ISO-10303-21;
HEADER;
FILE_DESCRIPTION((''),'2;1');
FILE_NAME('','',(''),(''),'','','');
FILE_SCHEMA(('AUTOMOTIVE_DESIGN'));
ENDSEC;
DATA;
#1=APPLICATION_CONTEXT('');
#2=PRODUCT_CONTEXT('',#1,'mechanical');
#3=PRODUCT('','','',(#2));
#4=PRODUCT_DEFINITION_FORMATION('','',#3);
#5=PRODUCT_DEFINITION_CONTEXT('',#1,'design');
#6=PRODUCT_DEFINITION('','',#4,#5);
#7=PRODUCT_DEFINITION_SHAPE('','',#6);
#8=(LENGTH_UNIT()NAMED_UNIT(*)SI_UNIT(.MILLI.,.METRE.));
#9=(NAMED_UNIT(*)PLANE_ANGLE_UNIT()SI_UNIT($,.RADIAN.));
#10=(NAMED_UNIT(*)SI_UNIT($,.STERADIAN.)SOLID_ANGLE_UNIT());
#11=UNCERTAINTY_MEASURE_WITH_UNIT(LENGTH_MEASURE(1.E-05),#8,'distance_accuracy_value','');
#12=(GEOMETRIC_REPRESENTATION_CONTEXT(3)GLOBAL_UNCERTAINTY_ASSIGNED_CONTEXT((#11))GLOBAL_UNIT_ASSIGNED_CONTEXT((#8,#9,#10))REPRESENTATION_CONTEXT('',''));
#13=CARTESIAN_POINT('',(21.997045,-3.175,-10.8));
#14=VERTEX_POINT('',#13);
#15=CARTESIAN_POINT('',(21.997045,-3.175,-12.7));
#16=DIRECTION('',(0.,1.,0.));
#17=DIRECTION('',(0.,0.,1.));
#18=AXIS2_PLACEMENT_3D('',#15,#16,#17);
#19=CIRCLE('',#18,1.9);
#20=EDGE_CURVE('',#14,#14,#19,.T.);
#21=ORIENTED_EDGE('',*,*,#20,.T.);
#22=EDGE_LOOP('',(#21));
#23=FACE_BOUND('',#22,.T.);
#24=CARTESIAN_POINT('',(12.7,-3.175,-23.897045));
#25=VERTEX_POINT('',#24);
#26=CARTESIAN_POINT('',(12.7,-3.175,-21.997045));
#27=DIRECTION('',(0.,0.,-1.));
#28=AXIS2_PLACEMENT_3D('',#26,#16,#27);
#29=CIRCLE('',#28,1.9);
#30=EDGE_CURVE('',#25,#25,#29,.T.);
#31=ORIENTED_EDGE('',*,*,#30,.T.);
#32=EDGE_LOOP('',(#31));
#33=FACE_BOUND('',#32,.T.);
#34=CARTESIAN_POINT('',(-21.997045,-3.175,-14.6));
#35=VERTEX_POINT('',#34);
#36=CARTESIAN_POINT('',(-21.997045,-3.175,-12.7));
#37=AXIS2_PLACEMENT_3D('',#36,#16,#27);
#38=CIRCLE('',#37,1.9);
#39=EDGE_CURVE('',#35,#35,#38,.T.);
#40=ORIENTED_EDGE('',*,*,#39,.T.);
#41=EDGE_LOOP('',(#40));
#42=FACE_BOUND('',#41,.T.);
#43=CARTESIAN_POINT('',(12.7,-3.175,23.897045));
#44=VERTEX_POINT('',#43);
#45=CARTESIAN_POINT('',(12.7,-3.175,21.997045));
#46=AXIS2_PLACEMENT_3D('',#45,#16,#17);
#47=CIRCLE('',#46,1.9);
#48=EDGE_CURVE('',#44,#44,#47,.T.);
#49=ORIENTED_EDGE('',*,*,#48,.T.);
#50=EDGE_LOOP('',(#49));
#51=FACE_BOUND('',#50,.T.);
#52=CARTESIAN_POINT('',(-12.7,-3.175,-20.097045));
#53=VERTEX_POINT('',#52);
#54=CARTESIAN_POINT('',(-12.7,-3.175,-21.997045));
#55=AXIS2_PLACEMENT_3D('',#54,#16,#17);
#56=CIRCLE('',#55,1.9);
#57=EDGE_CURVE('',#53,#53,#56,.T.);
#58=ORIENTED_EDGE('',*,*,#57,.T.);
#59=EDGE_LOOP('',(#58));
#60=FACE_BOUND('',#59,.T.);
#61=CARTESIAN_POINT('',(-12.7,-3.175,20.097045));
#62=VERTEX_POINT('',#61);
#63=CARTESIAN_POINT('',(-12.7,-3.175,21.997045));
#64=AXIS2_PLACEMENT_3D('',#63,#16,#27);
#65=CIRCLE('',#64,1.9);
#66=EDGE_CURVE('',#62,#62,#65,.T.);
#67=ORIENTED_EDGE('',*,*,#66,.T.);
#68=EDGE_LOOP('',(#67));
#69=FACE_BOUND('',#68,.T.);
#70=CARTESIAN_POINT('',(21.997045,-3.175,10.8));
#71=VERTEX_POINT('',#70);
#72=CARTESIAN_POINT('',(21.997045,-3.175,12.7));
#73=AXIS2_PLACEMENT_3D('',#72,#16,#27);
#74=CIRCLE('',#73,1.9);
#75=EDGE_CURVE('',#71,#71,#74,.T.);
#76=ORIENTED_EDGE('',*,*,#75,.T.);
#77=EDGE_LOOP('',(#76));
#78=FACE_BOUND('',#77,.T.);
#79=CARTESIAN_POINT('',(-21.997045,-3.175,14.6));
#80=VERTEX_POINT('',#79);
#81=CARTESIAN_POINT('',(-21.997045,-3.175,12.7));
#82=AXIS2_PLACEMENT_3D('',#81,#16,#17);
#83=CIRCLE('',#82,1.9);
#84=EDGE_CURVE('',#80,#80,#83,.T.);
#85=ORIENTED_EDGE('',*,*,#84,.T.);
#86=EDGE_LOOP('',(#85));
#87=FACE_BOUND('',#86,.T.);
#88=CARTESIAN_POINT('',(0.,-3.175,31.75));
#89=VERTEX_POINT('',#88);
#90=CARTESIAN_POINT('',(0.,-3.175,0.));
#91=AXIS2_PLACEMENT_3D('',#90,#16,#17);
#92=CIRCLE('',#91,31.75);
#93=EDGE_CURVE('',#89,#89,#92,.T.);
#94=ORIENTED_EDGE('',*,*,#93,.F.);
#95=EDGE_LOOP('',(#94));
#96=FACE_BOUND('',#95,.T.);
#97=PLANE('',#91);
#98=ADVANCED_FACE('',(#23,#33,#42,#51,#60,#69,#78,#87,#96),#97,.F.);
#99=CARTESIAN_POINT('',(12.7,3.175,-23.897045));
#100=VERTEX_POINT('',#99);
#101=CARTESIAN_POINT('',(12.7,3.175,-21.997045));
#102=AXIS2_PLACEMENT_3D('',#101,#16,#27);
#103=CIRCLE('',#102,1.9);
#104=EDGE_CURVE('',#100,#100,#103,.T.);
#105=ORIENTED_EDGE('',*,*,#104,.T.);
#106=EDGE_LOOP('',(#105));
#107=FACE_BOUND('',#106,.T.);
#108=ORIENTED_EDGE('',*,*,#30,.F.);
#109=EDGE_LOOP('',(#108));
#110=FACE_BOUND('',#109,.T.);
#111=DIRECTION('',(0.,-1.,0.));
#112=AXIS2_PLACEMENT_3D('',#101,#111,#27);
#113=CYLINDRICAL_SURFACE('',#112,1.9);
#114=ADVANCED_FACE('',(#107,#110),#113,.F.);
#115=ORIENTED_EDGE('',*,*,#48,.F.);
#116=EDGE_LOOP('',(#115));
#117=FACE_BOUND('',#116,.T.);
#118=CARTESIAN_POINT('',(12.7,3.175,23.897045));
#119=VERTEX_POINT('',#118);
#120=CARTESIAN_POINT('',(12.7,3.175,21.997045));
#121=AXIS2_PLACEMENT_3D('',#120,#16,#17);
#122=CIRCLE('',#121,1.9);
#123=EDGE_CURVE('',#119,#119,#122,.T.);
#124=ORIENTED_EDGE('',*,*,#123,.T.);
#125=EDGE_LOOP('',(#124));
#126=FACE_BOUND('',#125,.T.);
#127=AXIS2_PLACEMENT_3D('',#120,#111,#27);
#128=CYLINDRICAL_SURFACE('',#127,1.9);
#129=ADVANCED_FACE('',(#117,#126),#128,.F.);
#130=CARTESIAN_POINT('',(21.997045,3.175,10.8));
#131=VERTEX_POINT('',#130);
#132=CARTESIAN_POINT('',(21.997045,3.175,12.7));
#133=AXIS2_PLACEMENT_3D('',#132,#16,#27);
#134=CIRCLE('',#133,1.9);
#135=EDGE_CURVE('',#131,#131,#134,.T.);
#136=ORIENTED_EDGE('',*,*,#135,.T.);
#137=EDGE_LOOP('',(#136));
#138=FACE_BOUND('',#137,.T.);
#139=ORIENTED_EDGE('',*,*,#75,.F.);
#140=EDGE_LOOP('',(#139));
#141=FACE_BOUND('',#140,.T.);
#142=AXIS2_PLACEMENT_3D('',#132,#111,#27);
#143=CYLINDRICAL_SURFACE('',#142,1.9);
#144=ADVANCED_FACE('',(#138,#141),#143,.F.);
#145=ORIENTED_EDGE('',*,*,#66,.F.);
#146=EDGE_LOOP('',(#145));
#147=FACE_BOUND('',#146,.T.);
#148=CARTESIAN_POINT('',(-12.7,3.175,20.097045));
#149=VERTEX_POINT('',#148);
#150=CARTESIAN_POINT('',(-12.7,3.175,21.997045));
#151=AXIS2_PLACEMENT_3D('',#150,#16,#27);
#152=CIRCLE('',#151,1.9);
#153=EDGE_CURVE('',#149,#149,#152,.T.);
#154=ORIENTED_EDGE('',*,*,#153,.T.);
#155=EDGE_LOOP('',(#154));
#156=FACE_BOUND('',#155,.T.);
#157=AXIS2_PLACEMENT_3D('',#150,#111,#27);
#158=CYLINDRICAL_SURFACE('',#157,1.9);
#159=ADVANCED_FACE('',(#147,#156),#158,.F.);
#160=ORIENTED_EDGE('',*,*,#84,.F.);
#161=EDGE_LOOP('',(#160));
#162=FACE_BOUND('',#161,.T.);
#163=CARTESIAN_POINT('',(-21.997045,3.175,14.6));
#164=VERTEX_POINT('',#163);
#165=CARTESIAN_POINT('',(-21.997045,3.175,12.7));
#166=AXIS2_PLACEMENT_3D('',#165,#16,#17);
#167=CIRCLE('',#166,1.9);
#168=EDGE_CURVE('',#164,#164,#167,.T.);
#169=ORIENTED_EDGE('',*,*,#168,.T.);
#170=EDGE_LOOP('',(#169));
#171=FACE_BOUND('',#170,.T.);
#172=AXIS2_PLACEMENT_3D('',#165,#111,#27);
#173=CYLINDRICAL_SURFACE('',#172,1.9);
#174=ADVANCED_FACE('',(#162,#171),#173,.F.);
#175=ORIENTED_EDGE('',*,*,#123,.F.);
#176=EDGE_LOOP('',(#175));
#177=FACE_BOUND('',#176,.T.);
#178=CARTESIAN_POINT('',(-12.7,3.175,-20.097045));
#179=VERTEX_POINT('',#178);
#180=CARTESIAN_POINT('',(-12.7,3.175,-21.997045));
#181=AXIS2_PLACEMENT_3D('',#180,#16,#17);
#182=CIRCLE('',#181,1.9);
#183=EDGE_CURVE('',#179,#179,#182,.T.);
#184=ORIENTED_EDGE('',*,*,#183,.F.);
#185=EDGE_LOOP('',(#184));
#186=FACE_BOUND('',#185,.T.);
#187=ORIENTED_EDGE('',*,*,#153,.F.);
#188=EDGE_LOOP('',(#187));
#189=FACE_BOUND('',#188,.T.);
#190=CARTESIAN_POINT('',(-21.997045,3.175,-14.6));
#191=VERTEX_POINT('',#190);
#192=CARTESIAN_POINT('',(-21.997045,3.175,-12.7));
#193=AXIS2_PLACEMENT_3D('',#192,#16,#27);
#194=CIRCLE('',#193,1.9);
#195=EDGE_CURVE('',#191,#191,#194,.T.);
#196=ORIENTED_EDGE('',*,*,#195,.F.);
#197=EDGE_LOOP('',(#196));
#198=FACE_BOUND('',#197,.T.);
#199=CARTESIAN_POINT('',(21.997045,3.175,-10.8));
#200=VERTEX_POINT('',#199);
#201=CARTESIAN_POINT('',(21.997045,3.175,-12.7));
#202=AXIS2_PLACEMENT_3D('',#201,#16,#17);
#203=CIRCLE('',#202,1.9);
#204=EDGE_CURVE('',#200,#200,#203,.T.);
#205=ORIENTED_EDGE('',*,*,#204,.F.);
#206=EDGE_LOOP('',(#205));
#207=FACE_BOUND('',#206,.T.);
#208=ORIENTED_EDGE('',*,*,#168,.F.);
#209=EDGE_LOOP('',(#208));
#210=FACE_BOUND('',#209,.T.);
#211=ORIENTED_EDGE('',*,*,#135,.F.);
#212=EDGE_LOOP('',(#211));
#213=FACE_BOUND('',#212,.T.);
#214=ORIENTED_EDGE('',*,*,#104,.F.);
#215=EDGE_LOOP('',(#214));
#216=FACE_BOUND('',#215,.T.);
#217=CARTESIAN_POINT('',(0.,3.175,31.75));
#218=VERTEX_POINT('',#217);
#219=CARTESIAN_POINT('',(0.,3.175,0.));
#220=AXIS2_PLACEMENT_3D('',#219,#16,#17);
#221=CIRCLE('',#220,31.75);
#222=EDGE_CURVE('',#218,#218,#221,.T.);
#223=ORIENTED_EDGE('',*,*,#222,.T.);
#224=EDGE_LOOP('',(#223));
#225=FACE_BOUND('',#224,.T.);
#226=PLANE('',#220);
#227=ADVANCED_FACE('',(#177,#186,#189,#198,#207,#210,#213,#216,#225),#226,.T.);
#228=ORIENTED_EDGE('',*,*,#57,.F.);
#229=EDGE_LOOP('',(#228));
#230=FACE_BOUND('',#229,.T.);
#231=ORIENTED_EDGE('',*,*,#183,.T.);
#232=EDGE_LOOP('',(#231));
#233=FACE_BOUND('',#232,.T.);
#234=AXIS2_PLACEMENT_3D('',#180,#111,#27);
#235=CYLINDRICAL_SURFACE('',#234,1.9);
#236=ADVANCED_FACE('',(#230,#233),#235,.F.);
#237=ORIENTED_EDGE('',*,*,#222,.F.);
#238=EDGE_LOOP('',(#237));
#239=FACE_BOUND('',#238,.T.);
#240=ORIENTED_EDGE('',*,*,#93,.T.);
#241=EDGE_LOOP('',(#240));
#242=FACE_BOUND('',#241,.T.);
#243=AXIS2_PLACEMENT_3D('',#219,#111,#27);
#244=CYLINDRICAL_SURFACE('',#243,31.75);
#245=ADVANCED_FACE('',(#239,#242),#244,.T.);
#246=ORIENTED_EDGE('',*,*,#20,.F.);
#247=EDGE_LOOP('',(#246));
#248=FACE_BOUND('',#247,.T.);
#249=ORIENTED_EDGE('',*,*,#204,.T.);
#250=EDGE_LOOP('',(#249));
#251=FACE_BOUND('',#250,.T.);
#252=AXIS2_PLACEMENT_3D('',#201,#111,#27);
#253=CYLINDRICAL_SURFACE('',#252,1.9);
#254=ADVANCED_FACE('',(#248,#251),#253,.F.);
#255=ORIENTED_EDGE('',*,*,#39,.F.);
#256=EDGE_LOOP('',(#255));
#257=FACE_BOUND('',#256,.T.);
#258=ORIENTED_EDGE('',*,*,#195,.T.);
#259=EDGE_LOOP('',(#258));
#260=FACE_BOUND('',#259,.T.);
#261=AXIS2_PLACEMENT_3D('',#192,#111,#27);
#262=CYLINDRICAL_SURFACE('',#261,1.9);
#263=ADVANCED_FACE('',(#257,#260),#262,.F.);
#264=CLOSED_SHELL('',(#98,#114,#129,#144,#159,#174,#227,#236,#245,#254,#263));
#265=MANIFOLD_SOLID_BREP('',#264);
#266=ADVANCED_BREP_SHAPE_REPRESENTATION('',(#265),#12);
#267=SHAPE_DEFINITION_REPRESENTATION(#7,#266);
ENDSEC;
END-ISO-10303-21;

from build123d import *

# Parameters (mm, degrees)
SKETCH1_R           = 31.75
SKETCH1_R_2         = 1.90000001
BOSS_EXTRUDE1_DEPTH = 3.175


with BuildPart() as part:
    # Sketch1 → Boss-Extrude1 (new body, symmetric)
    with BuildSketch(Plane(origin=(0, 0, 0), x_dir=(1, 0, 0), z_dir=(0, 1, 0))):
        Circle(SKETCH1_R)
        with Locations((21.997045256, 12.7)):
            Circle(SKETCH1_R_2, mode=Mode.SUBTRACT)
        with Locations((21.997045256, -12.7)):
            Circle(SKETCH1_R_2, mode=Mode.SUBTRACT)
        with Locations((-12.7, -21.997045256)):
            Circle(SKETCH1_R_2, mode=Mode.SUBTRACT)
        with Locations((12.7, -21.997045256)):
            Circle(SKETCH1_R_2, mode=Mode.SUBTRACT)
        with Locations((-21.997045256, 12.7)):
            Circle(SKETCH1_R_2, mode=Mode.SUBTRACT)
        with Locations((-21.997045256, -12.7)):
            Circle(SKETCH1_R_2, mode=Mode.SUBTRACT)
        with Locations((12.7, 21.997045256)):
            Circle(SKETCH1_R_2, mode=Mode.SUBTRACT)
        with Locations((-12.7, 21.997045256)):
            Circle(SKETCH1_R_2, mode=Mode.SUBTRACT)
    extrude(amount=BOSS_EXTRUDE1_DEPTH, both=True)


solid = part.part
